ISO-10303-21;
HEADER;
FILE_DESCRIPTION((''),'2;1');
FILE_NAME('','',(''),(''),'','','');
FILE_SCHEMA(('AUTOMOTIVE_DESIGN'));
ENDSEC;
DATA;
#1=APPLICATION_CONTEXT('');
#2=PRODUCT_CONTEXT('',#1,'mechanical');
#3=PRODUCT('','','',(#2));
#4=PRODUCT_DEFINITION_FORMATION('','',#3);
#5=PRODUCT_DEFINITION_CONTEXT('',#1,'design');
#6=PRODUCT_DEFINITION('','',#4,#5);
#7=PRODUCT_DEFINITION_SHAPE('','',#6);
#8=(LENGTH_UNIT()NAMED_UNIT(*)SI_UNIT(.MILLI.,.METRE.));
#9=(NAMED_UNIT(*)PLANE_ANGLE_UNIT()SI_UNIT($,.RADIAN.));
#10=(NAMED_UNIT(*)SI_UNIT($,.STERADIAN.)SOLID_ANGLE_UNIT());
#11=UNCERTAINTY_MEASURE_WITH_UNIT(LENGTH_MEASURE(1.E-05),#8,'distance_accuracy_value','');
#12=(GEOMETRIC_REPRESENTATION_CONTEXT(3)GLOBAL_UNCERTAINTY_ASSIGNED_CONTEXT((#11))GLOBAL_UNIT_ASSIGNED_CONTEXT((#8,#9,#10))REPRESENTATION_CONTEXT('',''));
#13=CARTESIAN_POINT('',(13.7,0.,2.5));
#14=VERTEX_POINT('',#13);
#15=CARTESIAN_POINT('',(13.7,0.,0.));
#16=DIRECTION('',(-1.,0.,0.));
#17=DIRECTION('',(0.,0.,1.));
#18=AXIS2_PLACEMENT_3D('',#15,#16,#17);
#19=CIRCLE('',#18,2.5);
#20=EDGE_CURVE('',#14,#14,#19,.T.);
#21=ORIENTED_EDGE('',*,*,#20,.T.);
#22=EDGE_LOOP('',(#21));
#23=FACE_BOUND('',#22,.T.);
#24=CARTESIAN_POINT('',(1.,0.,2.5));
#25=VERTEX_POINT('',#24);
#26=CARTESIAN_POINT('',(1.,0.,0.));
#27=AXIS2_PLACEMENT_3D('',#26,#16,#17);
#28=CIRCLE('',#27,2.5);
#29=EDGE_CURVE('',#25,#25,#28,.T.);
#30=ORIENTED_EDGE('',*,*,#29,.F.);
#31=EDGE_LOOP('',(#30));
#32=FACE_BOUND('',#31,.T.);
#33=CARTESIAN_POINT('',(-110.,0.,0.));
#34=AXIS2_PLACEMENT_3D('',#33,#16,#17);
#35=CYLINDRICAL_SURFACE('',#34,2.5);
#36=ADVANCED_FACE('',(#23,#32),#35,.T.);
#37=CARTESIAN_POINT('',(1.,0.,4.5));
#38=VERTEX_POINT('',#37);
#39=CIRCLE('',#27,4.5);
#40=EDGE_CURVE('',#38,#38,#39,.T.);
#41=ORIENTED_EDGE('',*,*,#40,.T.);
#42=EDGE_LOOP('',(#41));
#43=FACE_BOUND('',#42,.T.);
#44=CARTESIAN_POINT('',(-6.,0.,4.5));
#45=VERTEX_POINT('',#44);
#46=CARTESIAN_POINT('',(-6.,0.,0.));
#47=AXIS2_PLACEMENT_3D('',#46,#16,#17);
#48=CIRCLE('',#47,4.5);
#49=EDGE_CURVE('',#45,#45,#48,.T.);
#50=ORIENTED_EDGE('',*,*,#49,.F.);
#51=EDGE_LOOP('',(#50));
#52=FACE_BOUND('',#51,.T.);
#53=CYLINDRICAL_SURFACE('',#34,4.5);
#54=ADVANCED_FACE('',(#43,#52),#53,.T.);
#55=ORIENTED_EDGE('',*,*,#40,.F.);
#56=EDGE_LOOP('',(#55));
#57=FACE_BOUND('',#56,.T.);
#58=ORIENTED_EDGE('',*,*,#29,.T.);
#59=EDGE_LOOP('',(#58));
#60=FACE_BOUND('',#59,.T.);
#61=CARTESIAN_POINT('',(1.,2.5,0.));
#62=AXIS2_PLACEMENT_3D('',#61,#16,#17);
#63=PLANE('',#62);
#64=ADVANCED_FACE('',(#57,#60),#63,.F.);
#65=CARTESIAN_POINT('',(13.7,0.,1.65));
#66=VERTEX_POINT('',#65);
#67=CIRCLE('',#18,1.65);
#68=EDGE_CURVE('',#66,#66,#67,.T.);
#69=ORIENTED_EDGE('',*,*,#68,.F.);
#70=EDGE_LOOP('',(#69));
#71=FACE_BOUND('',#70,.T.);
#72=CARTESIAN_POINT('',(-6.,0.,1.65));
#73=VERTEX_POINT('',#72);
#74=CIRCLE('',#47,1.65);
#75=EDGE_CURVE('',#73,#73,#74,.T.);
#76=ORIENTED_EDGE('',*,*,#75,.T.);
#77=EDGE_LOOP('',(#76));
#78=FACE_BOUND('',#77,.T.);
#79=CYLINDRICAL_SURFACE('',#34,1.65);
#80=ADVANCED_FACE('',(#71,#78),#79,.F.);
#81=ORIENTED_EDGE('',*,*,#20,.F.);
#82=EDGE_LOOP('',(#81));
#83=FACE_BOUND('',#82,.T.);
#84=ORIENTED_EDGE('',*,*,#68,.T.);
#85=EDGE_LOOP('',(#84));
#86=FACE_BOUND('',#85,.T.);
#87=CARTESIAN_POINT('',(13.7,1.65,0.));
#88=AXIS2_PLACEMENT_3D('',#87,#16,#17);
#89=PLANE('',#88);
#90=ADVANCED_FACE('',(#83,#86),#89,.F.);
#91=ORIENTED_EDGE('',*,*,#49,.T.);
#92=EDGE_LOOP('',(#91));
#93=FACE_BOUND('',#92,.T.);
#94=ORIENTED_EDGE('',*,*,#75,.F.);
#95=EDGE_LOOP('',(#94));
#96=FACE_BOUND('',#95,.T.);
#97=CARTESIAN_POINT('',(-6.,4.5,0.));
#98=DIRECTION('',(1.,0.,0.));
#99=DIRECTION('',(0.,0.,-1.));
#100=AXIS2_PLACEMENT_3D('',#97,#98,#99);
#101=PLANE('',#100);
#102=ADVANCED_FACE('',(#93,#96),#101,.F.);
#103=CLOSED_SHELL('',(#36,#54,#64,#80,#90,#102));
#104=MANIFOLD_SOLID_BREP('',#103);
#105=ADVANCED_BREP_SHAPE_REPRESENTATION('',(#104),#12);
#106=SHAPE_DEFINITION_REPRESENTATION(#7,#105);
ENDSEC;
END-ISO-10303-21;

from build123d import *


with BuildPart() as part:
    # Axial profile (mm) → Full revolution (revolve)
    with BuildSketch(Plane.XY, mode=Mode.PRIVATE) as full_revolution_sk:
        Polygon((-6, 1.65), (13.7, 1.65), (13.7, 2.5), (1, 2.5), (1, 4.5), (-6, 4.5), align=None)
    revolve(full_revolution_sk.sketch.rotate(Axis((-110, 0, 0), (1, 0, 0)), 90), axis=Axis((-110, 0, 0), (1, 0, 0)))


solid = part.part
